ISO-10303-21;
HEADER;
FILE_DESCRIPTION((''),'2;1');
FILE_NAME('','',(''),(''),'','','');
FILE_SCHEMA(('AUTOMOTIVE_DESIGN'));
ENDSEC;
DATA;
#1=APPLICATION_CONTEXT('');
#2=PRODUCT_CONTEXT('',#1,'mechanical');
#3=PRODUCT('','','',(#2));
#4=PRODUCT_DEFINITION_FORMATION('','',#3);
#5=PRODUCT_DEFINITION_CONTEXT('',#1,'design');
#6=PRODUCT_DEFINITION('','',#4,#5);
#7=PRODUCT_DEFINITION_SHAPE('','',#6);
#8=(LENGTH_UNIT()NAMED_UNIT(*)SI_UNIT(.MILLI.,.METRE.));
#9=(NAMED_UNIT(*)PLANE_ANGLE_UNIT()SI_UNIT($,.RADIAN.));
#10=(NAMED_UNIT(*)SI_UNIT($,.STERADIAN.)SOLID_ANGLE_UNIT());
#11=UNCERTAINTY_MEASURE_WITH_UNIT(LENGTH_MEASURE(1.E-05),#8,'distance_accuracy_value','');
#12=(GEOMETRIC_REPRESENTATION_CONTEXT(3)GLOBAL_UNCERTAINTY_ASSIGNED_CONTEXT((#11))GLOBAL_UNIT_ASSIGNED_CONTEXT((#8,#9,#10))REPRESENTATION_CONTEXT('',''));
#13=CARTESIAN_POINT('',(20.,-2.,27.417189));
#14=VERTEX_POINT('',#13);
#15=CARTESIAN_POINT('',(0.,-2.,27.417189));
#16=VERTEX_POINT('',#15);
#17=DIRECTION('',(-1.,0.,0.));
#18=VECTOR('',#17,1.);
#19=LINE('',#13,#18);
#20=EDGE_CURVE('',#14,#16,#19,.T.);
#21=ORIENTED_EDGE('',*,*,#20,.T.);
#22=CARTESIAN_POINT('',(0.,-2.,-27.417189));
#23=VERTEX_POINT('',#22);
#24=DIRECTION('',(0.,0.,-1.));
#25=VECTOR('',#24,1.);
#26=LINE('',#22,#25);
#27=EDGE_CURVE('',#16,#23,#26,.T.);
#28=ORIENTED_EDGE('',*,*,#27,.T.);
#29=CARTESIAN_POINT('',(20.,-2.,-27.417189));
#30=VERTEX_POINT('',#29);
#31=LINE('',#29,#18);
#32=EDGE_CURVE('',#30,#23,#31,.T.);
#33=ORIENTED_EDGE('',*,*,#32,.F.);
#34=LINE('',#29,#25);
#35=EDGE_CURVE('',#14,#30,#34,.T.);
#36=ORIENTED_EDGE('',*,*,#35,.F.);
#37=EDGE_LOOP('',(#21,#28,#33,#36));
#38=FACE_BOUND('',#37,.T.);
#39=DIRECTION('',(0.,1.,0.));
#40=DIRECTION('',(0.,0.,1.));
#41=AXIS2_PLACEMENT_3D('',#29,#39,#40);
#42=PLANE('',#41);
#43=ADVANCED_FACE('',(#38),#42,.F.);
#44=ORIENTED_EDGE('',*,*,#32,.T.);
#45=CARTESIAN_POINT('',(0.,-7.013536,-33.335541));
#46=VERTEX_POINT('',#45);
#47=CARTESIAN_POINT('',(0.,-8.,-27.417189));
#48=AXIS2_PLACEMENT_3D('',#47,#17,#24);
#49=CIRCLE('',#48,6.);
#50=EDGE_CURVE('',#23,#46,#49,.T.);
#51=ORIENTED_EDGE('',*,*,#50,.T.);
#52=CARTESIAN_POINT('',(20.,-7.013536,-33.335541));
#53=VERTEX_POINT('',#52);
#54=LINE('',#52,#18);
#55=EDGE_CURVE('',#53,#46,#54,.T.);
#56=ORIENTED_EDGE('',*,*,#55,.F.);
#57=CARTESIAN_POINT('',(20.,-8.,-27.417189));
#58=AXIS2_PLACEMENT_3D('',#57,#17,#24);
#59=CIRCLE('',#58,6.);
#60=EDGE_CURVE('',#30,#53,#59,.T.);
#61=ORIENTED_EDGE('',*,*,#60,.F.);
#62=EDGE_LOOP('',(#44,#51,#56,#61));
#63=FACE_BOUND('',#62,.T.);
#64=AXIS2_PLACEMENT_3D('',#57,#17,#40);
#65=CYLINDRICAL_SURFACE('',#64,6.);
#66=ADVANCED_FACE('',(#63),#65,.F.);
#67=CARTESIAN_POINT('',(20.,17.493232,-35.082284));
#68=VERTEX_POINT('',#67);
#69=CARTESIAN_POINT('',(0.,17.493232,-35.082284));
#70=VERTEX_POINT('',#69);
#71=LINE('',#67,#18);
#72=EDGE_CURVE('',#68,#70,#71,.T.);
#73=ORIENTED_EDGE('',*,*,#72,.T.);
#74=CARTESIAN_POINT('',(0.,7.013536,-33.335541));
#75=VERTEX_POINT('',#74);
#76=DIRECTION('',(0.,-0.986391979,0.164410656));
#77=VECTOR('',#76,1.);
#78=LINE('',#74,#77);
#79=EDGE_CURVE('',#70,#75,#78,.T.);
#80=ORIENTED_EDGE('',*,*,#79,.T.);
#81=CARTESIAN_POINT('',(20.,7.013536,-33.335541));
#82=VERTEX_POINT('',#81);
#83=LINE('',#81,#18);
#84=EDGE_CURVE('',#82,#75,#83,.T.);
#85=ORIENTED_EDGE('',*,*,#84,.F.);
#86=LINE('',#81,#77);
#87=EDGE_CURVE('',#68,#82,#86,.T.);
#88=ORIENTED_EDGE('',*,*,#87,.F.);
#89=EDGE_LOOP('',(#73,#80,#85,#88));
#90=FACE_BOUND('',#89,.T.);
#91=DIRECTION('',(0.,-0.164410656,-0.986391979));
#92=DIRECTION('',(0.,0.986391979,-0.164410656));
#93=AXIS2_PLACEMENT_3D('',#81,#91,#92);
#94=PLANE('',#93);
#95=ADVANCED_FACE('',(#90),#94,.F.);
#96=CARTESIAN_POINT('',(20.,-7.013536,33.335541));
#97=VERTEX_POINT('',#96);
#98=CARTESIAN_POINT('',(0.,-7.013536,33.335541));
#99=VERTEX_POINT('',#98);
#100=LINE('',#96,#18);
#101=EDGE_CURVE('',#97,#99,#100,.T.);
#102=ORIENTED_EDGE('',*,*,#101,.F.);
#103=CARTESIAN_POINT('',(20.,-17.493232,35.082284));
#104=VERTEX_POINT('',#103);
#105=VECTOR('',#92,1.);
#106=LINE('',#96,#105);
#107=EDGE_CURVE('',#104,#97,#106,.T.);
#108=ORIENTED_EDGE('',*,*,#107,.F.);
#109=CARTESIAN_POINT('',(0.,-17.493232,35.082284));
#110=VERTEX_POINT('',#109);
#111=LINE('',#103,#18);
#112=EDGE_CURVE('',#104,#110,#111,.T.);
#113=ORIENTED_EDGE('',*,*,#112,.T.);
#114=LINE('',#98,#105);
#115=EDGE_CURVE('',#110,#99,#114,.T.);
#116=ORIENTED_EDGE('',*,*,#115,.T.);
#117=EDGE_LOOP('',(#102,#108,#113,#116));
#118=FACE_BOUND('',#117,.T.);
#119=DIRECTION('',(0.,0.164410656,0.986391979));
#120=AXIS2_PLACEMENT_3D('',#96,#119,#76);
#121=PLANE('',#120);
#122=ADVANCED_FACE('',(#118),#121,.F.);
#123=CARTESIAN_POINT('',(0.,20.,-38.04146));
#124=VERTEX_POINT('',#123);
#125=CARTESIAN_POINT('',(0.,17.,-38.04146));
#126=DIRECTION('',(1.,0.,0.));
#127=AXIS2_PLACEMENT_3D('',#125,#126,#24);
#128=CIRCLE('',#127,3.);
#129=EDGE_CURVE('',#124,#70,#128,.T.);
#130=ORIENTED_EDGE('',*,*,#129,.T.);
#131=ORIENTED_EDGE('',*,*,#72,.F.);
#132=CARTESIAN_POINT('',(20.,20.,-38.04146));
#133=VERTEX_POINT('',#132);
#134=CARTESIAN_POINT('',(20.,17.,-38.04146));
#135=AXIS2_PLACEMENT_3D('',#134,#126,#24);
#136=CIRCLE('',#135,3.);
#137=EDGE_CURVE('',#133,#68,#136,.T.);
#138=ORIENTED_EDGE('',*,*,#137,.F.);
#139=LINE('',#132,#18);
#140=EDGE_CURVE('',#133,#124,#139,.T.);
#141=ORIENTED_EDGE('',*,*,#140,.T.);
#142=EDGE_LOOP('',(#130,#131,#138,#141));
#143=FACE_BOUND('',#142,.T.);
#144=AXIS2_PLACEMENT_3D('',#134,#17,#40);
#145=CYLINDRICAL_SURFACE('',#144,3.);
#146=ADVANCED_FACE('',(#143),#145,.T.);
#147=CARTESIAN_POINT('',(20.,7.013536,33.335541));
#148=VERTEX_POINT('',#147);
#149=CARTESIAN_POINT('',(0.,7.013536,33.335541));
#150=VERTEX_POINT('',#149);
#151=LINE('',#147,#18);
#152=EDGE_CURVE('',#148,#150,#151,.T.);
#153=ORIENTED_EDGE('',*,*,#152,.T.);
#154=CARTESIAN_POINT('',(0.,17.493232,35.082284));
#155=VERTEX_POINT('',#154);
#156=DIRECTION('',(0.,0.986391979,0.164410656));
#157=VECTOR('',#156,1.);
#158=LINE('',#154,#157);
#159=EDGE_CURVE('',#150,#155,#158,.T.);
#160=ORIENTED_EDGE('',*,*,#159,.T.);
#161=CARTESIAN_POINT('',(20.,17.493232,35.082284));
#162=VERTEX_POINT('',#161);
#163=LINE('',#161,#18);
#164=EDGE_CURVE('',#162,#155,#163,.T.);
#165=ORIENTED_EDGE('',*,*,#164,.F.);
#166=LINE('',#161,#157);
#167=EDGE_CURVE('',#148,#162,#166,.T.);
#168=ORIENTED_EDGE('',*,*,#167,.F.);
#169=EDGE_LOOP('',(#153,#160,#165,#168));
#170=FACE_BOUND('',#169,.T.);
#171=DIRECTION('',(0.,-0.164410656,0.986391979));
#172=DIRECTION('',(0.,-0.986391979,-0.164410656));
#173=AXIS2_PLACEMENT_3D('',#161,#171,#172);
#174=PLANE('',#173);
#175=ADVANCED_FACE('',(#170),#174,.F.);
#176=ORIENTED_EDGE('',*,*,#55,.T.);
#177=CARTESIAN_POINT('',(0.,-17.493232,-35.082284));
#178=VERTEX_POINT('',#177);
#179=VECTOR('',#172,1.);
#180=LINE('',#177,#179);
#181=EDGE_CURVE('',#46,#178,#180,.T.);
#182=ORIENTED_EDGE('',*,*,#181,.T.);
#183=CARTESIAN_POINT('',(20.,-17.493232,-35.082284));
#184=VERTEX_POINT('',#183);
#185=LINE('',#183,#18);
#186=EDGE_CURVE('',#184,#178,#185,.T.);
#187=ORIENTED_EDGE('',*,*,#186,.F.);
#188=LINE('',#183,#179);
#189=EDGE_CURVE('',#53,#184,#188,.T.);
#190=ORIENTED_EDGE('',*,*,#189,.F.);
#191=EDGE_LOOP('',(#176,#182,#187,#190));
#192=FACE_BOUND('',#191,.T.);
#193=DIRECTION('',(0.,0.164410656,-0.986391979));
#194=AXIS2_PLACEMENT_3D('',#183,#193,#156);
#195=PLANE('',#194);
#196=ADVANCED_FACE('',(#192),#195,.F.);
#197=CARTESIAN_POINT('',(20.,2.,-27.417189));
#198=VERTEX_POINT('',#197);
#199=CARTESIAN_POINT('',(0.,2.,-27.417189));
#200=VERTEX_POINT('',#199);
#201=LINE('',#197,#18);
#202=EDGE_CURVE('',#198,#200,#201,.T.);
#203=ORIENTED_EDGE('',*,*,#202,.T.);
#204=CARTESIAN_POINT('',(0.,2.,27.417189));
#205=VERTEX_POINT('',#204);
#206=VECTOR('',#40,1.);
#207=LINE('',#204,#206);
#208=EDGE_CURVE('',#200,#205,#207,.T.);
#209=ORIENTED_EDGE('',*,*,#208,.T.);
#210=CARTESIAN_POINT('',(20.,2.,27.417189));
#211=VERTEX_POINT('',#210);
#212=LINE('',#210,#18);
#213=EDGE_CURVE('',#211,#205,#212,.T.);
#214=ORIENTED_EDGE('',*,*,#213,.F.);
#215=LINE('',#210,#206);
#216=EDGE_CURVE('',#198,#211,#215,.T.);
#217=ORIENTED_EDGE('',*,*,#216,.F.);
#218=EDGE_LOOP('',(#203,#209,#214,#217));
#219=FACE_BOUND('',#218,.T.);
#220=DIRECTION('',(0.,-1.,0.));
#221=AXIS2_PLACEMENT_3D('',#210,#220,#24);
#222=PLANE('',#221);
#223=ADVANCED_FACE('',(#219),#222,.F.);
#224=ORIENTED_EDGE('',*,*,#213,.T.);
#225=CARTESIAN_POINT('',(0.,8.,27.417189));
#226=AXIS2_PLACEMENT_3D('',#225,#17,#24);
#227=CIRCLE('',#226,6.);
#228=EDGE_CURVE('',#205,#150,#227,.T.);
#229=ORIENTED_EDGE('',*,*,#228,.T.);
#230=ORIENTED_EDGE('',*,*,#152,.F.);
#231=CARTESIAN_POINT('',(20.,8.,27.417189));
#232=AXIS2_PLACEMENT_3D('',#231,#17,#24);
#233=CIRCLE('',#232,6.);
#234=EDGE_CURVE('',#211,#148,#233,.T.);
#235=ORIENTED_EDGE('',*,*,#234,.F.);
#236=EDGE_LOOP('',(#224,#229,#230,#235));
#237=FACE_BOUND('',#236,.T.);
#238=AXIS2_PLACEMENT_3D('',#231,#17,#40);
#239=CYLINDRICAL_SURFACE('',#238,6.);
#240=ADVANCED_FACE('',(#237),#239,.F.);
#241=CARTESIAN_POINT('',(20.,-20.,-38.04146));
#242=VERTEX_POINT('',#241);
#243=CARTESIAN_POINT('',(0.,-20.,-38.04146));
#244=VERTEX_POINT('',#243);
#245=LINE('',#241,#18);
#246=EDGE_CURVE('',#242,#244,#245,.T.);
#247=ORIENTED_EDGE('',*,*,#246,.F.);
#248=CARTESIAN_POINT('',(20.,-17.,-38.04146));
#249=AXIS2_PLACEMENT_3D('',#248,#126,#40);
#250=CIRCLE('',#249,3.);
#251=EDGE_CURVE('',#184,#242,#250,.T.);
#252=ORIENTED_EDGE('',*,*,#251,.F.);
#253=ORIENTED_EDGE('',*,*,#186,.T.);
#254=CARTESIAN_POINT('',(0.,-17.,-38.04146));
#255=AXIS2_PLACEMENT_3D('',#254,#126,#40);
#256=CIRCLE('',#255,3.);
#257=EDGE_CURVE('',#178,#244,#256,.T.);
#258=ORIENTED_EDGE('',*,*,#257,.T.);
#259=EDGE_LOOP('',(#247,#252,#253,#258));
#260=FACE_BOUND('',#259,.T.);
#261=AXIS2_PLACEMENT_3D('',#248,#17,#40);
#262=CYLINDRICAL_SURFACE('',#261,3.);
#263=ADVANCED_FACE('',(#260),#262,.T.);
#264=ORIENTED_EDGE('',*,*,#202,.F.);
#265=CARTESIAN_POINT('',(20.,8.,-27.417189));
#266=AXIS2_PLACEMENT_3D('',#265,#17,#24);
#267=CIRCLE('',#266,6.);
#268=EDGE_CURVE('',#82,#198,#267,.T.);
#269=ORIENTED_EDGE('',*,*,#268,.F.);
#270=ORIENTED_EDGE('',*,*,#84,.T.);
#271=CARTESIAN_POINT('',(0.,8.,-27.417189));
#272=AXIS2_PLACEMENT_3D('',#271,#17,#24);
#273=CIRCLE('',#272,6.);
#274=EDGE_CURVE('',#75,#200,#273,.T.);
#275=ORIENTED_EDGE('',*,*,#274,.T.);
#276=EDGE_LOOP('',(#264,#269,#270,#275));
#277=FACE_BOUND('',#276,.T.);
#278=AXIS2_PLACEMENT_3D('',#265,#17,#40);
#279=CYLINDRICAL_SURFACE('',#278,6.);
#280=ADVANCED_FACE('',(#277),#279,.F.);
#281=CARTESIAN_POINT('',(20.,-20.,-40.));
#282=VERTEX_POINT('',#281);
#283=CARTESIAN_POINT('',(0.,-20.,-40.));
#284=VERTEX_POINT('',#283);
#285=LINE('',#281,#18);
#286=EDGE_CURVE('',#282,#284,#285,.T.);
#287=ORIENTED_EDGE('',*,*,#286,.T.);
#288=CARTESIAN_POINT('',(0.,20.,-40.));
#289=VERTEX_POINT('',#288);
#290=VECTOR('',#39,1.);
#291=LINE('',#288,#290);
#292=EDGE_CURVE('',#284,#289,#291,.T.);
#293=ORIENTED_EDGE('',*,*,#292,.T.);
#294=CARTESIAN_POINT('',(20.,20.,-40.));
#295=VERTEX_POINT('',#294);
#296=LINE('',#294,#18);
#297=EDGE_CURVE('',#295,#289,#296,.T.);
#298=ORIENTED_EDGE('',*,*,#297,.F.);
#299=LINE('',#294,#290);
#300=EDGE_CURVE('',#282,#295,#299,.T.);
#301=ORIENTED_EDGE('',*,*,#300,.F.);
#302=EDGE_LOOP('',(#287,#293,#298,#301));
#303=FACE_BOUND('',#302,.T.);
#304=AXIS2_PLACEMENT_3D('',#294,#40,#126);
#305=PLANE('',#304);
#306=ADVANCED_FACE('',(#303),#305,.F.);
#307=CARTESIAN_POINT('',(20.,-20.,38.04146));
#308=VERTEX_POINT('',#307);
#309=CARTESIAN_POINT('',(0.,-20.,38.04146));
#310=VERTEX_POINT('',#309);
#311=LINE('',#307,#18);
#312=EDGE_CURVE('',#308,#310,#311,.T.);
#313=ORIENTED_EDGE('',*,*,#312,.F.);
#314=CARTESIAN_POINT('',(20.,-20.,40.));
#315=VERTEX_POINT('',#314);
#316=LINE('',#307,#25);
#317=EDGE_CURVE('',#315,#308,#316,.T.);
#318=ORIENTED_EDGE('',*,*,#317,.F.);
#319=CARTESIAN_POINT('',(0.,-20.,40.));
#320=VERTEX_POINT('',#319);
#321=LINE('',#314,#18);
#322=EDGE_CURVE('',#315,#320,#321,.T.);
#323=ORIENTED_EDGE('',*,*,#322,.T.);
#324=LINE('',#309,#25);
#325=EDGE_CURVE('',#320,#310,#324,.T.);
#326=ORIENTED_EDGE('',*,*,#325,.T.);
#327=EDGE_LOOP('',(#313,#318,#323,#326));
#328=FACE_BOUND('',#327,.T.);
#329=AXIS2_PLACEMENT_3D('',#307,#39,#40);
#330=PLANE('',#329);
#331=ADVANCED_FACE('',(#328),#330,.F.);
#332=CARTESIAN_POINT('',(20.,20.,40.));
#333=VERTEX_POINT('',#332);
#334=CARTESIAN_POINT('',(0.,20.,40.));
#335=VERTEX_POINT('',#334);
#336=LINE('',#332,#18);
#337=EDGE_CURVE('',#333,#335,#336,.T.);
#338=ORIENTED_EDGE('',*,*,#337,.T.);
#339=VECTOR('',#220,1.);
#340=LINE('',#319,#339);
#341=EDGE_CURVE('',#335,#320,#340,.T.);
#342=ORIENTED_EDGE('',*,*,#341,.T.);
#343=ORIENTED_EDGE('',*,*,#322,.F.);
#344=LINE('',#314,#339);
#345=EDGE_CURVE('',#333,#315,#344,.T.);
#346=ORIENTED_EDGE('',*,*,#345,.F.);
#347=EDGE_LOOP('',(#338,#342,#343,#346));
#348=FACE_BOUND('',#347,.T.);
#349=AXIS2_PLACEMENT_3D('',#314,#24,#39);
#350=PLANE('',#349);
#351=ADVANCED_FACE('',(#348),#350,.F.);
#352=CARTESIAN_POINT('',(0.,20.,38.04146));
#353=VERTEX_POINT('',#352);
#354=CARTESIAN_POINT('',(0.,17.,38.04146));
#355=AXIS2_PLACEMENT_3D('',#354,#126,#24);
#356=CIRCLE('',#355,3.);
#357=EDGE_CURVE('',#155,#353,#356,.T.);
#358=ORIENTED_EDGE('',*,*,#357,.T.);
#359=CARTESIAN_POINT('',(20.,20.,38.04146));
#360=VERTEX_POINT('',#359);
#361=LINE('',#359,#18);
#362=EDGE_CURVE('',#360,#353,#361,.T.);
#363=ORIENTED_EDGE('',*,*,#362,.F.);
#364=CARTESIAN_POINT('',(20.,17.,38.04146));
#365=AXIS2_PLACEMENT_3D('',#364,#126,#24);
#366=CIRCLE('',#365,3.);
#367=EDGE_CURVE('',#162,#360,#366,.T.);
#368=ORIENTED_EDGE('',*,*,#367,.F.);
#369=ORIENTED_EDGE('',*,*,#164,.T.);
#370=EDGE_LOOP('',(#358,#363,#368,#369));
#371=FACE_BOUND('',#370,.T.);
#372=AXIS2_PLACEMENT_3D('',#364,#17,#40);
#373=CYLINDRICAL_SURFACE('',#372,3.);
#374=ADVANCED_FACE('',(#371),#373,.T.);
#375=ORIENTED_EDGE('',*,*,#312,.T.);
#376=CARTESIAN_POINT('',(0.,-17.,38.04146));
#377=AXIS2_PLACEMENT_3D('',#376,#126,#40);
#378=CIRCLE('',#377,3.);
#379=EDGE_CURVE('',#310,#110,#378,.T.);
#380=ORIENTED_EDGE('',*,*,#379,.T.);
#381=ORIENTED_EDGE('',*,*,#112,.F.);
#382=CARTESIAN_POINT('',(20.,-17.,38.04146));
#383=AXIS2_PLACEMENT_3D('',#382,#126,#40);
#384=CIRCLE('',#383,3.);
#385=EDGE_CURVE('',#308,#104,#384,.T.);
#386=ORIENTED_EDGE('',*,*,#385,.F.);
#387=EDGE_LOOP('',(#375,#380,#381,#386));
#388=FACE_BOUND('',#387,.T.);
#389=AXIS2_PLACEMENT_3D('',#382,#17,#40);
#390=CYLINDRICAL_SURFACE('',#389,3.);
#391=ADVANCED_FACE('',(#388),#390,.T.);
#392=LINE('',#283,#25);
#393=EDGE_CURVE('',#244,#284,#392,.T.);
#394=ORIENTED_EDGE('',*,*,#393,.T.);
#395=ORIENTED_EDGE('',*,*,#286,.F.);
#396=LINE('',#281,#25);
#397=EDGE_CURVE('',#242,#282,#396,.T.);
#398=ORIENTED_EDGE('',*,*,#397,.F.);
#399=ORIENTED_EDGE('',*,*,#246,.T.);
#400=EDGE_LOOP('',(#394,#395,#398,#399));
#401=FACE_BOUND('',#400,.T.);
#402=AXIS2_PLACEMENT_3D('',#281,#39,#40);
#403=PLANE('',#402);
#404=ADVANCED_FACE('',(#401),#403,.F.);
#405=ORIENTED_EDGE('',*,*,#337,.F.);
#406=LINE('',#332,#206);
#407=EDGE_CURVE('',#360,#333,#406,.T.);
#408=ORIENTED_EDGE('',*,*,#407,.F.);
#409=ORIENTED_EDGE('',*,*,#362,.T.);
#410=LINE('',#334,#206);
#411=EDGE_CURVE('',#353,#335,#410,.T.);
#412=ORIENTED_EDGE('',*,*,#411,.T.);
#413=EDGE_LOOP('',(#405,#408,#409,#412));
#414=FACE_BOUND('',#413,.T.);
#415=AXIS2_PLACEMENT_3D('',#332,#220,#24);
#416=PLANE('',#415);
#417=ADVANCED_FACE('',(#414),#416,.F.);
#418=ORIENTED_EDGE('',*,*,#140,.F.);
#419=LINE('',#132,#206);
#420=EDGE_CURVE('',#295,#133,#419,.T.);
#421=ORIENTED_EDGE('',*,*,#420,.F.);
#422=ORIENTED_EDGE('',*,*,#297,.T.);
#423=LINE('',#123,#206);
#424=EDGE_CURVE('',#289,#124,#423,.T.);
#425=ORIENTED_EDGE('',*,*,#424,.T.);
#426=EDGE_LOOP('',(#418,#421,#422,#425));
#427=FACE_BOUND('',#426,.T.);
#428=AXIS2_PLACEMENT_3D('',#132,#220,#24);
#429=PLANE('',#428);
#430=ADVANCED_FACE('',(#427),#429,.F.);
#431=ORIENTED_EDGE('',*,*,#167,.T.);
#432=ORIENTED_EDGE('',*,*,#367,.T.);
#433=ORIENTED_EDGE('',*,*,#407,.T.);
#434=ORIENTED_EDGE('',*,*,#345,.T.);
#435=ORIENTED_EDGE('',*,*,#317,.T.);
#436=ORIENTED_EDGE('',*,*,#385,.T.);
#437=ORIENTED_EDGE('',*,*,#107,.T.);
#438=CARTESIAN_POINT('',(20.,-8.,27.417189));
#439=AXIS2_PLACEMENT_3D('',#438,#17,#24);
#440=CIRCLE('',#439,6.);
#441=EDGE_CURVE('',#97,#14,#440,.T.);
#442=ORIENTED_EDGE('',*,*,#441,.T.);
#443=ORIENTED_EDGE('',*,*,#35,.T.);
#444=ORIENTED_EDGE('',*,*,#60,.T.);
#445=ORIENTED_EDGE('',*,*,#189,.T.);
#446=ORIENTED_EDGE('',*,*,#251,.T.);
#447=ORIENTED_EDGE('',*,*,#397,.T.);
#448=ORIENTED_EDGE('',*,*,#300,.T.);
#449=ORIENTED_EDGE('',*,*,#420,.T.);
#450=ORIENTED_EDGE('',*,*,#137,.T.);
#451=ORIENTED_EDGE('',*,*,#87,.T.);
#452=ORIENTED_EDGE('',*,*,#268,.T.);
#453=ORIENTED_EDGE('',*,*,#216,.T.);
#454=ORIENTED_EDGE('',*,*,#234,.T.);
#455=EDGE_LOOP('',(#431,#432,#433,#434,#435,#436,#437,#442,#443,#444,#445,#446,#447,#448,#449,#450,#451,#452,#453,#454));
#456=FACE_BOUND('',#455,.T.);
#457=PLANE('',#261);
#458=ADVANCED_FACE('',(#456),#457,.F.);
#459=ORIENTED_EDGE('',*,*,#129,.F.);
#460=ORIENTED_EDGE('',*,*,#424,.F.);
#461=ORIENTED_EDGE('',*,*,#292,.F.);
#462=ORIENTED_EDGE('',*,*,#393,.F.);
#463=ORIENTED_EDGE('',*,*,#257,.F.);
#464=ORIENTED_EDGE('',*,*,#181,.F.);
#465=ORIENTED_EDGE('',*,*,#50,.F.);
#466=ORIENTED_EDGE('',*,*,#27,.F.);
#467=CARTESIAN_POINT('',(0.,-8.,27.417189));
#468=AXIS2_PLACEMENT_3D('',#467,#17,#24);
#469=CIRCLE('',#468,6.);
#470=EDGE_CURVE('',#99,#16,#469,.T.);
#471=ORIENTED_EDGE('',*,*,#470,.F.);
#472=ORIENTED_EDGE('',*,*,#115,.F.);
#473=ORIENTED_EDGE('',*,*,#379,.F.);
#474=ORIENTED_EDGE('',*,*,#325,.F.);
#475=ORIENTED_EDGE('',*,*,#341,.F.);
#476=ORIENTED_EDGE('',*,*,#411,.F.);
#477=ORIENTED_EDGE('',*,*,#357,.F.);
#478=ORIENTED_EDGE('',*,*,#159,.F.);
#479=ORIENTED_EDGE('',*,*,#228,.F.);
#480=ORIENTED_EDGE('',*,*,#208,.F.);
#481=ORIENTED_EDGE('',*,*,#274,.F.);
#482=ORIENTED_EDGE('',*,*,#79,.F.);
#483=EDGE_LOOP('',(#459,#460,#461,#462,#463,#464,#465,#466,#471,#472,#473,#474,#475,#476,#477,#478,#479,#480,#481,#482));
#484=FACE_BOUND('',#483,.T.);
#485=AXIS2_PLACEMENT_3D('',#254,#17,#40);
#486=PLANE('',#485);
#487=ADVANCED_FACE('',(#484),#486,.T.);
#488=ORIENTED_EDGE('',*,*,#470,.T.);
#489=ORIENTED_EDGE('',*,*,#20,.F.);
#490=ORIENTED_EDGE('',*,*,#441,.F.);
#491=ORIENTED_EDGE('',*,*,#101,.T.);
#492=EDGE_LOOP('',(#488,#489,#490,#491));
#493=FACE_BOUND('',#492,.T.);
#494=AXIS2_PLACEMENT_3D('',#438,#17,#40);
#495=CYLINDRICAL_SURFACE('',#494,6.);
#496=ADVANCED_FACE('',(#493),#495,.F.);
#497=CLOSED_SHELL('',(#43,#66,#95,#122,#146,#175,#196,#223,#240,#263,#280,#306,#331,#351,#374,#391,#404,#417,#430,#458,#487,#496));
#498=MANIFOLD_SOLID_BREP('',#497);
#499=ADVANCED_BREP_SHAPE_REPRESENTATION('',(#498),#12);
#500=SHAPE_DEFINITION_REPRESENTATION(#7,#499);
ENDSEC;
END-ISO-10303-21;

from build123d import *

# Parameters (mm, degrees)
SB_KIRI_80_X_6_1_DEPTH = 20


with BuildPart() as part:
    # Sketch1 → Sb kiriş 80 X 6(1) (new body)
    with BuildSketch(Plane.YZ):
        with BuildLine():
            Line((-20, -40), (-20, -38.04146021))
            ThreePointArc((-20, -38.04146021), (-19.289071417, -36.102349061), (-17.493231968, -35.082284273))
            Line((-17.493231968, -35.082284273), (-7.013536064, -33.335540874))
            ThreePointArc((-7.013536064, -33.335540874), (-3.421857166, -31.295411298), (-2, -27.417189))
            Line((-2, -27.417189), (-2, 27.417189))
            ThreePointArc((-2, 27.417189), (-3.421857166, 31.295411298), (-7.013536064, 33.335540874))
            Line((-7.013536064, 33.335540874), (-17.493231968, 35.082284273))
            ThreePointArc((-17.493231968, 35.082284273), (-19.289071417, 36.102349061), (-20, 38.04146021))
            Line((-20, 38.04146021), (-20, 40))
            Line((-20, 40), (20, 40))
            Line((20, 40), (20, 38.04146021))
            ThreePointArc((20, 38.04146021), (19.289071417, 36.102349061), (17.493231968, 35.082284273))
            Line((17.493231968, 35.082284273), (7.013536064, 33.335540874))
            ThreePointArc((7.013536064, 33.335540874), (3.421857166, 31.295411298), (2, 27.417189))
            Line((2, 27.417189), (2, -27.417189))
            ThreePointArc((2, -27.417189), (3.421857166, -31.295411298), (7.013536064, -33.335540874))
            Line((7.013536064, -33.335540874), (17.493231968, -35.082284273))
            ThreePointArc((17.493231968, -35.082284273), (19.289071417, -36.102349061), (20, -38.04146021))
            Line((20, -38.04146021), (20, -40))
            Line((20, -40), (-20, -40))
        make_face()
    extrude(amount=SB_KIRI_80_X_6_1_DEPTH)


solid = part.part
